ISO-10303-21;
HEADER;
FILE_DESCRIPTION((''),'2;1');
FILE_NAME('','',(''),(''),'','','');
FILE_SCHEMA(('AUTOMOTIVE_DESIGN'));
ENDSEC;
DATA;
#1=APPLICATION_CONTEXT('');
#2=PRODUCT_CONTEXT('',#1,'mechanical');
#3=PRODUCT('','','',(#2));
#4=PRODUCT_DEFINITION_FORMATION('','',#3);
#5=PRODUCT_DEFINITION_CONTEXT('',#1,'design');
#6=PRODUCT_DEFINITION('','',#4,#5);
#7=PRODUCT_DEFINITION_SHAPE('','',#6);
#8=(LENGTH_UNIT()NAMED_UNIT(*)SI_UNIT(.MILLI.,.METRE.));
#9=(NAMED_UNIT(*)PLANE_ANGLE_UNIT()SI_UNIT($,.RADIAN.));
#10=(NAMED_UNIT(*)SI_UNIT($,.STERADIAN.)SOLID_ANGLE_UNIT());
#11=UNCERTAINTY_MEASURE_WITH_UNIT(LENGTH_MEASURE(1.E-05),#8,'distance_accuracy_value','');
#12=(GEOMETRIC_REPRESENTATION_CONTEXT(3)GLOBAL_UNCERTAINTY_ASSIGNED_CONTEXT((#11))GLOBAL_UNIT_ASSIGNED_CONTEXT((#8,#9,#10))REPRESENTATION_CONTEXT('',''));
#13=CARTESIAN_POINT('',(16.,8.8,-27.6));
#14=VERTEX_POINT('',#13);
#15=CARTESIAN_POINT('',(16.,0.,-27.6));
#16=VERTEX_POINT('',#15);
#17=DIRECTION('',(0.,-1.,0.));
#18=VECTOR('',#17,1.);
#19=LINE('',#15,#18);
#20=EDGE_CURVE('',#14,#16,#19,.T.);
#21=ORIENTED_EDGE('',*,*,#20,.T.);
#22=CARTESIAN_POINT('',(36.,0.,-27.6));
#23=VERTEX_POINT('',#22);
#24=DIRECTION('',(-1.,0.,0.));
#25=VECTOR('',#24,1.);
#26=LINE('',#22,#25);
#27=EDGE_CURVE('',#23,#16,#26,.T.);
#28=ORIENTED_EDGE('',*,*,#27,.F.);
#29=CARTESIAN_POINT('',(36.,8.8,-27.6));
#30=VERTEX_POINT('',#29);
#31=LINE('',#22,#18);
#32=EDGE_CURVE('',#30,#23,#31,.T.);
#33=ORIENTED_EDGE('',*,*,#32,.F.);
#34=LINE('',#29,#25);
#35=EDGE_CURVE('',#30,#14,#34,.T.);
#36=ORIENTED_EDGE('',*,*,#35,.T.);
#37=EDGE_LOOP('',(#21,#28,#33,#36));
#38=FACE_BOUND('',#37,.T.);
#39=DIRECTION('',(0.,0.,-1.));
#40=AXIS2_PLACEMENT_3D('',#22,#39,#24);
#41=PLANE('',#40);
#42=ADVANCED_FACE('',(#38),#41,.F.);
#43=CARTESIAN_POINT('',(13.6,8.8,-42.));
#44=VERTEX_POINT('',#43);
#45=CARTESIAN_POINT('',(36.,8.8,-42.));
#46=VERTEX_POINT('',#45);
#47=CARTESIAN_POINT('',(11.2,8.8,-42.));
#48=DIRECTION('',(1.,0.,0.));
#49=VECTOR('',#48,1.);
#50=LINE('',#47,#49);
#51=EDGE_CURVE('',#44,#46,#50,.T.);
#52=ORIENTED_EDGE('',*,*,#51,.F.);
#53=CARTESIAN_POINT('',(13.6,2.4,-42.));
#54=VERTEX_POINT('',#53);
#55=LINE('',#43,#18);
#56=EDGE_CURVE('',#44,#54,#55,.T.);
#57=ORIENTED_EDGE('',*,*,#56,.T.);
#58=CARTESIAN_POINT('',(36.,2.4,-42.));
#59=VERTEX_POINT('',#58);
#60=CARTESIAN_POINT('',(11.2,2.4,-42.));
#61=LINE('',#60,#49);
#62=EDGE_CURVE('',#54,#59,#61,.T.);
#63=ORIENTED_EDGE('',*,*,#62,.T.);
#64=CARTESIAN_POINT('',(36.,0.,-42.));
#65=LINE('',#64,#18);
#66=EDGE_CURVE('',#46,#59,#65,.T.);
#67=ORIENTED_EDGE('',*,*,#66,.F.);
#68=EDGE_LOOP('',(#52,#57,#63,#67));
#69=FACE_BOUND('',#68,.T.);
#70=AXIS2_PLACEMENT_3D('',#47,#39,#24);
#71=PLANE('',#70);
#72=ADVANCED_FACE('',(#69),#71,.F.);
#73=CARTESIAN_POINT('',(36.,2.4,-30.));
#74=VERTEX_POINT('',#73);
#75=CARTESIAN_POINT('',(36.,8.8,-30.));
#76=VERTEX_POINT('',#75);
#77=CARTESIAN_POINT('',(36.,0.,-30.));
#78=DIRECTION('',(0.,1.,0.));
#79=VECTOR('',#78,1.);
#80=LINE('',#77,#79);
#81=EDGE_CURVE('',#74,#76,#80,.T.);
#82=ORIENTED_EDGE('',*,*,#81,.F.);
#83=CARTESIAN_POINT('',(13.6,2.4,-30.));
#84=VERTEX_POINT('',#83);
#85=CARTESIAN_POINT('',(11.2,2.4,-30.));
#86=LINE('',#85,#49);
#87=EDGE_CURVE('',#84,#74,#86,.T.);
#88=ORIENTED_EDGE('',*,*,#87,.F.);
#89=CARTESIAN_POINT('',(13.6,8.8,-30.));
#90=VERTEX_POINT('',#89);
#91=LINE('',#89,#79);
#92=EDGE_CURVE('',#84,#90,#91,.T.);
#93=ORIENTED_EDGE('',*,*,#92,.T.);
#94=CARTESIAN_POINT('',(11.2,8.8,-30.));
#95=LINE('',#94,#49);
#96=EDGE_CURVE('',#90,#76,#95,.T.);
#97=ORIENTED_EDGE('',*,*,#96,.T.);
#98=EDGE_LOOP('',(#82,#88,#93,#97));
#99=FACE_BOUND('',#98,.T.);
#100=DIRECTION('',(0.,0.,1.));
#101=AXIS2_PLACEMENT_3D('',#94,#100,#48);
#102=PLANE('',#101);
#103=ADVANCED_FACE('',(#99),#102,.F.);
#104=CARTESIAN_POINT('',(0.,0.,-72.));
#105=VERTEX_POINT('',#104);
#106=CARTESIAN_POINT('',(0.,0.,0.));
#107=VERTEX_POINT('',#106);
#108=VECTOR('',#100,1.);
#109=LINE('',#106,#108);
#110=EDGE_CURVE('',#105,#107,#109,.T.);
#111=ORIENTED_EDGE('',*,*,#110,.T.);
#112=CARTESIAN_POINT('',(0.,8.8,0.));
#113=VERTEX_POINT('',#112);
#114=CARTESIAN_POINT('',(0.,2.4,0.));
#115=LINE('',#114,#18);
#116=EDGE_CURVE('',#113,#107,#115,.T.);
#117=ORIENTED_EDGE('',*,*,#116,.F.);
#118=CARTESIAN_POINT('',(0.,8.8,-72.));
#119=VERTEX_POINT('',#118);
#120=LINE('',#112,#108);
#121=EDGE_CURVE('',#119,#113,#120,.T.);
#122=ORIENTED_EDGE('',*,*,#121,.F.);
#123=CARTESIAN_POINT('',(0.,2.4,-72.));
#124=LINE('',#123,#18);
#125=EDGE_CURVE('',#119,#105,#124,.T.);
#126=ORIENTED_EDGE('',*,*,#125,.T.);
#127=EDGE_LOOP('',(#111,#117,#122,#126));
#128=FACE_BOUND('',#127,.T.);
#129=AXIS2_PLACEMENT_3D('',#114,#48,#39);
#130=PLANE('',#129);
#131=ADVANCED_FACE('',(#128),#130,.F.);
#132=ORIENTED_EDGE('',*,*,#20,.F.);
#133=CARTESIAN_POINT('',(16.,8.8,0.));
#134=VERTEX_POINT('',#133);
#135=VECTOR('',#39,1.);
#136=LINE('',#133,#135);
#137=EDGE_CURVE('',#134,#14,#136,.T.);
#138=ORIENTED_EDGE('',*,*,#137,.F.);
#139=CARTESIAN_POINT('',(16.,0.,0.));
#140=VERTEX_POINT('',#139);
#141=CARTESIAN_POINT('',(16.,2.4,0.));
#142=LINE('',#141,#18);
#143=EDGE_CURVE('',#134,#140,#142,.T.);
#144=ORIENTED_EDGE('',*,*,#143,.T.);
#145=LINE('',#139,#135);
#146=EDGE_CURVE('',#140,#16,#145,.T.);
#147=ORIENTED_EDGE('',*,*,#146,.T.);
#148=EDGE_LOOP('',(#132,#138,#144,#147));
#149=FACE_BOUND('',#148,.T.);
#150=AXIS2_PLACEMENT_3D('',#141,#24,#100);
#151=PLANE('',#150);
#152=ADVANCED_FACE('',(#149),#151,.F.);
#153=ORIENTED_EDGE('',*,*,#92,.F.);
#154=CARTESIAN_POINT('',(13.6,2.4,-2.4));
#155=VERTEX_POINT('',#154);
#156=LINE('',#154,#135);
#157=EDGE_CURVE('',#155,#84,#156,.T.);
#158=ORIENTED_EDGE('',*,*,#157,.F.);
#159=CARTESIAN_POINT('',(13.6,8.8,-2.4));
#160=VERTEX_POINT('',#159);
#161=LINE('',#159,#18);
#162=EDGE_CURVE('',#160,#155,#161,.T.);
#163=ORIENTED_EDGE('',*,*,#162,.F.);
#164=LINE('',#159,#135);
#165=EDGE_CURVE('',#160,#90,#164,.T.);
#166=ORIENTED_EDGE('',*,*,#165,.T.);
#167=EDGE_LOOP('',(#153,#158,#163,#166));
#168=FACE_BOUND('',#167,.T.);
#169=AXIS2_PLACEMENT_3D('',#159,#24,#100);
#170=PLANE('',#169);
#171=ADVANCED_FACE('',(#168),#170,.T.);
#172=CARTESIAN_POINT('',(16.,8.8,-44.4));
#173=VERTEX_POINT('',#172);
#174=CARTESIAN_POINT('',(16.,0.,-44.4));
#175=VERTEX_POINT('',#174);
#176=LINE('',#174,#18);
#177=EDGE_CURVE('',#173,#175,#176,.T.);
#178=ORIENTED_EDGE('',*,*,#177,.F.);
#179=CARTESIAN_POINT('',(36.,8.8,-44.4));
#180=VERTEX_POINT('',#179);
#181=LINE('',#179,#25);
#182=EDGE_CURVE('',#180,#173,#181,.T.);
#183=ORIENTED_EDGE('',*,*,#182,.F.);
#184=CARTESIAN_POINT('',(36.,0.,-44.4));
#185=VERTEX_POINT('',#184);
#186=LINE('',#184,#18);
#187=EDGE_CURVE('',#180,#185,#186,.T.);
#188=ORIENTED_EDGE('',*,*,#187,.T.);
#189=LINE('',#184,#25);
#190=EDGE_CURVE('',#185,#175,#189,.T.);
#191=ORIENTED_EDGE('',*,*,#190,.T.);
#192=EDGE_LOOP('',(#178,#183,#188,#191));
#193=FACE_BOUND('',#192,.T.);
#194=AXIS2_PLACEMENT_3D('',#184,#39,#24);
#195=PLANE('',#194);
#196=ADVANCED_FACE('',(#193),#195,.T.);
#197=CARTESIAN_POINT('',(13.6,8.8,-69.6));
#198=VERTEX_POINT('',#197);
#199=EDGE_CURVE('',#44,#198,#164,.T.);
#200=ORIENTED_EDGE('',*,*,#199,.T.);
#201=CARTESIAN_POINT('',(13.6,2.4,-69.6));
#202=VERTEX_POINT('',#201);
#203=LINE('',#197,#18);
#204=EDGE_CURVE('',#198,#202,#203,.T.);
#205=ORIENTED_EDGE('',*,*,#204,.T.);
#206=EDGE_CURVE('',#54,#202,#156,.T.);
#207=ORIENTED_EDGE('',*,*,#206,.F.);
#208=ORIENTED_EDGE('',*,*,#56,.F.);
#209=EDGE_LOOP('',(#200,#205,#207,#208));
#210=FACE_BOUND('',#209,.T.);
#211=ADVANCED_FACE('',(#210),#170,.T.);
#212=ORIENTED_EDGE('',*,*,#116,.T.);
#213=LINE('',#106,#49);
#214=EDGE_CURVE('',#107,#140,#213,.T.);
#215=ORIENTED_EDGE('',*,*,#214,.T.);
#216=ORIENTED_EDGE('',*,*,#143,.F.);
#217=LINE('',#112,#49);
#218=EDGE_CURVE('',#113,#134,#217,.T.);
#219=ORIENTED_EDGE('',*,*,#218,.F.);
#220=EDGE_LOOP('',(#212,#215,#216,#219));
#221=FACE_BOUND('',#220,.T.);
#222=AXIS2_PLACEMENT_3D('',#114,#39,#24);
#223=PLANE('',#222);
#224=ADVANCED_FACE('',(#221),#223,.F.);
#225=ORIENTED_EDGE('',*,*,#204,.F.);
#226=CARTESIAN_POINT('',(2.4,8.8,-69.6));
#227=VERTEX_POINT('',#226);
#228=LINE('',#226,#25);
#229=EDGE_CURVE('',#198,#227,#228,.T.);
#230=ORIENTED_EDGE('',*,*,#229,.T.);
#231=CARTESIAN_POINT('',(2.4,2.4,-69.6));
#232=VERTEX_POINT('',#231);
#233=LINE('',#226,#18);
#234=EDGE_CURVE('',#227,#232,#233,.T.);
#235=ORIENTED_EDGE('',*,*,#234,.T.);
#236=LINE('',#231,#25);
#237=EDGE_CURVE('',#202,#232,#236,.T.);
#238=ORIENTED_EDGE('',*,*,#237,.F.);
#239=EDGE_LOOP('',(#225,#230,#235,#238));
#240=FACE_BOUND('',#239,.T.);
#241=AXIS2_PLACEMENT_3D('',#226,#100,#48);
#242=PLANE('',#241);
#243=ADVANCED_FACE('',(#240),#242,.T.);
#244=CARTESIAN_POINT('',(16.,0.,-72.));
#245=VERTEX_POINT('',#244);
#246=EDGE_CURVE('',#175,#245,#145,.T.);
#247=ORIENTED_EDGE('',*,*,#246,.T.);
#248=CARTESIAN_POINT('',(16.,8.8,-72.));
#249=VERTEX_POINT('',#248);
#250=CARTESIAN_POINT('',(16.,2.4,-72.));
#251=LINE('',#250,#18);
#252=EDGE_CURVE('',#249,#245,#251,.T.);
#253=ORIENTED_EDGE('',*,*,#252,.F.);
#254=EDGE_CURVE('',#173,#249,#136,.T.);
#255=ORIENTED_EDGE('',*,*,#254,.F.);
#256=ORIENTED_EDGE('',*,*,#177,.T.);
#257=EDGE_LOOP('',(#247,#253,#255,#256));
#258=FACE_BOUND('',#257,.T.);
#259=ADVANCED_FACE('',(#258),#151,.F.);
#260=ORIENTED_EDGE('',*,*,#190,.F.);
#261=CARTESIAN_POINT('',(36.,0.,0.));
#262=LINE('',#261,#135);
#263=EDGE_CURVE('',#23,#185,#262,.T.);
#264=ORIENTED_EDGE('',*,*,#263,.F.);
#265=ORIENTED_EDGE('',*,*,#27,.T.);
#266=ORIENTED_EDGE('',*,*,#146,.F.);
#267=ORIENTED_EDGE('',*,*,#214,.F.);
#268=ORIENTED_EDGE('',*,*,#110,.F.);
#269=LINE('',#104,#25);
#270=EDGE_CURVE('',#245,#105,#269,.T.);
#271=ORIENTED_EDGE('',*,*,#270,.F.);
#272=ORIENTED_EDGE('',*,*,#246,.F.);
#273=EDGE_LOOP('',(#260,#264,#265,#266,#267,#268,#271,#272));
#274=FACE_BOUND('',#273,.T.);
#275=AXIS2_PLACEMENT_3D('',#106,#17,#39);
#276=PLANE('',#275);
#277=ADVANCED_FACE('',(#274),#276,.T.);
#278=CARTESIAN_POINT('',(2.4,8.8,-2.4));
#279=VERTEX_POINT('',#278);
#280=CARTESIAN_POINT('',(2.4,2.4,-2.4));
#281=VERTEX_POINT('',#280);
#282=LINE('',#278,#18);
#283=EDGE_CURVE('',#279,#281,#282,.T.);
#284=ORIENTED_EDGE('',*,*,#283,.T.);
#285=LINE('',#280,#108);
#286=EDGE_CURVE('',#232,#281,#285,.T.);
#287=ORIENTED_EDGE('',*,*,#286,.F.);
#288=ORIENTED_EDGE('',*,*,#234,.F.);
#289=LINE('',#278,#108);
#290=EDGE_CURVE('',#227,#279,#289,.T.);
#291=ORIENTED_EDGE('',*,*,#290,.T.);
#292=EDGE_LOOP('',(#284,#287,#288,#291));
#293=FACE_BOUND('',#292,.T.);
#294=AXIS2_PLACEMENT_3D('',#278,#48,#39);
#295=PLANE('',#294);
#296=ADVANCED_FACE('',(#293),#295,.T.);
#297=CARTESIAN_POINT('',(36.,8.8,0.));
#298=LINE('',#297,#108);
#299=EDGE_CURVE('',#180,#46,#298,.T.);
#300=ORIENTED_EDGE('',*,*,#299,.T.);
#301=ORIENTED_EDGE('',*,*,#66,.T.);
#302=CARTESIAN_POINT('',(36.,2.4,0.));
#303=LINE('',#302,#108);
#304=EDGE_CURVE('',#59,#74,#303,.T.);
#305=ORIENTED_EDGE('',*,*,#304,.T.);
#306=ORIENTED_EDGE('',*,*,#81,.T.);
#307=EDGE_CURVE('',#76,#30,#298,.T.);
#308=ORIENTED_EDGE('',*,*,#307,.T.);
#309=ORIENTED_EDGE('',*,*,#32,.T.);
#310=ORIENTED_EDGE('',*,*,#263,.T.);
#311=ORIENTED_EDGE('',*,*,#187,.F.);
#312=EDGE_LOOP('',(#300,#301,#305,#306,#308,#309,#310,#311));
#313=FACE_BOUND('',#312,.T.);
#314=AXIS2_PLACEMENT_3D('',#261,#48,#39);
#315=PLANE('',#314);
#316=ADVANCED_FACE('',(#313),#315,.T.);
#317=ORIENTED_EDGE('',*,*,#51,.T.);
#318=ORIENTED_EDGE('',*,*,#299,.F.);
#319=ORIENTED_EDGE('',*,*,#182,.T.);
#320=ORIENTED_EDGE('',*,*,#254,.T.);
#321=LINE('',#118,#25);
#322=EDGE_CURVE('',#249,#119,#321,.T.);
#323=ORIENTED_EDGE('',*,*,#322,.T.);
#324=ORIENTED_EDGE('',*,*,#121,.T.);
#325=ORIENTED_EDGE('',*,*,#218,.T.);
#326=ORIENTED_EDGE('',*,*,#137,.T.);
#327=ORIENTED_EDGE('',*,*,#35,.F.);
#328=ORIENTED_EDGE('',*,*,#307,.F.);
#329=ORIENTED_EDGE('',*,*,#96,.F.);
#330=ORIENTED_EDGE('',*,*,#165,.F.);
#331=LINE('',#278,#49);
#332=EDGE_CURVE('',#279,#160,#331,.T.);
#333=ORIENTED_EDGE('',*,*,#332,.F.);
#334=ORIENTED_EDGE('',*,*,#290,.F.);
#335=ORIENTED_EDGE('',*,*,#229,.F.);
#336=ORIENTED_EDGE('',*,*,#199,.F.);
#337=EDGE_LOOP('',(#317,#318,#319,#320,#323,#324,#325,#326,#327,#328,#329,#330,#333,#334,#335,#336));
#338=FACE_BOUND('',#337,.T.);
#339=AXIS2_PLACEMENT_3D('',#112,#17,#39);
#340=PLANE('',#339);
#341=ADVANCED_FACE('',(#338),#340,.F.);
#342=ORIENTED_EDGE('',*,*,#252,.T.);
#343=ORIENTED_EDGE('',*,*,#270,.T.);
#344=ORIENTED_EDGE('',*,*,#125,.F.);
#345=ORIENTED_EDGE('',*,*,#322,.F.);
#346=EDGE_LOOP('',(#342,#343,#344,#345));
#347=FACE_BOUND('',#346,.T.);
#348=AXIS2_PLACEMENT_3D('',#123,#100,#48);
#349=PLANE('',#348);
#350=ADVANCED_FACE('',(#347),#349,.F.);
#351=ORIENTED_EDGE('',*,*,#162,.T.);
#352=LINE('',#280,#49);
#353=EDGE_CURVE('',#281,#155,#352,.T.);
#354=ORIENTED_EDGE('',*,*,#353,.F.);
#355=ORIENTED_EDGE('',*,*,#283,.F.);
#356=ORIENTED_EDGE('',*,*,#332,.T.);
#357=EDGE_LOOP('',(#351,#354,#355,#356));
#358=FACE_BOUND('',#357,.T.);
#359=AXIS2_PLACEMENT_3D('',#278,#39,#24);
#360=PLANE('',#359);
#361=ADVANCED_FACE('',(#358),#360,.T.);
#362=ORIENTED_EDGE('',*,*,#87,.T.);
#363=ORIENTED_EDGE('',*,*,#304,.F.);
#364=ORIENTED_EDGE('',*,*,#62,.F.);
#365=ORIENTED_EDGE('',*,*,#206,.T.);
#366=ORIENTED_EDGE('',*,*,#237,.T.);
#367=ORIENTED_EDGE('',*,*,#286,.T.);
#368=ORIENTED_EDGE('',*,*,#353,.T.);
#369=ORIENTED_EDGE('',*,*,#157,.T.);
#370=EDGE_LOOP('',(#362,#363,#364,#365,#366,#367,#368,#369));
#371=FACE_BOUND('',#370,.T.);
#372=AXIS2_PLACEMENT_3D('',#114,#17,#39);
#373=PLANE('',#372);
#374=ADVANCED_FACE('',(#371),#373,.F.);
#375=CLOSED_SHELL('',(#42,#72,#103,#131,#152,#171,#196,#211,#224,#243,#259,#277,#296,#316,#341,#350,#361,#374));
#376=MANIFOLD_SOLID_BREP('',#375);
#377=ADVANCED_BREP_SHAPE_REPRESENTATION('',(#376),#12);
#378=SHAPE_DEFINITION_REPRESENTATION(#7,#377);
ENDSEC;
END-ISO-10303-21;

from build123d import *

# Parameters (mm, degrees)
SKETCH1_W           = 16
SKETCH1_H           = 72
BOSS_EXTRUDE1_DEPTH = 2.4
SKETCH2_W           = 16
SKETCH2_H           = 72
SKETCH2_W_2         = 11.2
SKETCH2_H_2         = 67.2
BOSS_EXTRUDE2_DEPTH = 6.4
SKETCH3_W           = 12
SKETCH3_H           = 6.4
CUT_EXTRUDE1_DEPTH  = 4.8
BOSS_EXTRUDE3_DEPTH = 20


with BuildPart() as part:
    # Sketch1 → Boss-Extrude1 (new body)
    with BuildSketch(Plane(origin=(0, 0, 0), x_dir=(1, 0, 0), z_dir=(0, 1, 0))):
        with Locations((8, 36)):
            Rectangle(SKETCH1_W, SKETCH1_H)
    extrude(amount=BOSS_EXTRUDE1_DEPTH)

    # Sketch2 → Boss-Extrude2 (add)
    with BuildSketch(Plane(origin=(0, 2.4, 0), x_dir=(1, 0, 0), z_dir=(0, 1, 0))):
        with Locations((8, 36)):
            Rectangle(SKETCH2_W, SKETCH2_H)
        with Locations((8, 36)):
            Rectangle(SKETCH2_W_2, SKETCH2_H_2, mode=Mode.SUBTRACT)
    extrude(amount=BOSS_EXTRUDE2_DEPTH)

    # Sketch3 → Cut-Extrude1 (cut)
    with BuildSketch(Plane(origin=(16, 0, 0), x_dir=(0, 0, -1), z_dir=(1, 0, 0))):
        with Locations((36, 5.6)):
            Rectangle(SKETCH3_W, SKETCH3_H)
    extrude(amount=-CUT_EXTRUDE1_DEPTH, mode=Mode.SUBTRACT)

    # Sketch4 → Boss-Extrude3 (add)
    with BuildSketch(Plane(origin=(16, 0, 0), x_dir=(0, 0, -1), z_dir=(1, 0, 0))):
        Polygon((30, 2.4), (30, 8.8), (27.6, 8.8), (27.6, 0), (44.4, 0), (44.4, 8.8), (42, 8.8), (42, 2.4), align=None)
    extrude(amount=BOSS_EXTRUDE3_DEPTH)


solid = part.part
